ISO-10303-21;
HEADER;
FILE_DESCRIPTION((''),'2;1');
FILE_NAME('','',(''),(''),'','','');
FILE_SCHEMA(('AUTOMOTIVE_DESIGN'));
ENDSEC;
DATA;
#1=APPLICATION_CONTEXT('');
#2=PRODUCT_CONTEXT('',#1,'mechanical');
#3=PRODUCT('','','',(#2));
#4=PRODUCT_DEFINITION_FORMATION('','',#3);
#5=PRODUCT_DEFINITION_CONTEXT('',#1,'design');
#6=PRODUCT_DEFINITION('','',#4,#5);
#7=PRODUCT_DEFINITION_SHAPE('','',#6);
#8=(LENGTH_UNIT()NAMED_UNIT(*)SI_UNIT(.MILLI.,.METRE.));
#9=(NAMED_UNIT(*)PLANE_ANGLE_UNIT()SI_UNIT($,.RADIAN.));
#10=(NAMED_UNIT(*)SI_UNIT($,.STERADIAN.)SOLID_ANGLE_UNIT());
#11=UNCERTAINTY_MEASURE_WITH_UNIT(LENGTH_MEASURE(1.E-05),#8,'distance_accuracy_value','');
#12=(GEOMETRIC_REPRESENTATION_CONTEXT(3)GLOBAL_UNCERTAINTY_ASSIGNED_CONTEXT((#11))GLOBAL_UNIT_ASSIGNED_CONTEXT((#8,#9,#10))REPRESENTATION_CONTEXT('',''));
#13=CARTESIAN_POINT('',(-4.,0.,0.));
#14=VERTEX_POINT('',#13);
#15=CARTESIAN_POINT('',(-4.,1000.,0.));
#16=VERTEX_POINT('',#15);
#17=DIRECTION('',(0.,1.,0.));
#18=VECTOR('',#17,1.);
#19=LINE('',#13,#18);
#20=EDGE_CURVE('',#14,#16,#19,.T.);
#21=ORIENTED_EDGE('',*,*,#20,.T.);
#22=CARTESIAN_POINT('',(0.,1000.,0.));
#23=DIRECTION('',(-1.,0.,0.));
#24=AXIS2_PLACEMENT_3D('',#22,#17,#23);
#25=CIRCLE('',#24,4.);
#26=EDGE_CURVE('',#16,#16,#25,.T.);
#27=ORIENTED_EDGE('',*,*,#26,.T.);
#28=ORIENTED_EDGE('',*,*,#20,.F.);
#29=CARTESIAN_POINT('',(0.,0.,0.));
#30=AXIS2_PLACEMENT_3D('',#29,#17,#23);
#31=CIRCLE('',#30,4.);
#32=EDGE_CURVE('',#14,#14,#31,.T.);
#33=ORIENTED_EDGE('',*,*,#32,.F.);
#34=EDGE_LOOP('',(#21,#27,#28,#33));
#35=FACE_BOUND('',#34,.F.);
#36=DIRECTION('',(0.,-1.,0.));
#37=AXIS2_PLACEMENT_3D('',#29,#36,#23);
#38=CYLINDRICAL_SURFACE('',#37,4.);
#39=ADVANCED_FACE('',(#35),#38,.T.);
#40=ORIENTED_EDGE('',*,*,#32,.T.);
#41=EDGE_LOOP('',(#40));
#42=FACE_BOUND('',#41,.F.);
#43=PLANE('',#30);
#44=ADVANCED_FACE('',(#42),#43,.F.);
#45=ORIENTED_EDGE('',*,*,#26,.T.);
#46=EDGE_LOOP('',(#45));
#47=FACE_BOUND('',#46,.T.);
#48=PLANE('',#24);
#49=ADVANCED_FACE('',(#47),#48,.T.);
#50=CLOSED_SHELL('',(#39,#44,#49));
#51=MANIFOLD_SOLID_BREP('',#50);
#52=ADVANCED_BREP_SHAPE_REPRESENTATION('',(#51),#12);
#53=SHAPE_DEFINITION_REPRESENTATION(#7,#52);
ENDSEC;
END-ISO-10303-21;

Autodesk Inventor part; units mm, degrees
ref_plane "YZ Plane" through (0, 0, 0) normal (1, 0, 0) x (0, 1, 0)
ref_plane "XZ Plane" through (0, 0, 0) normal (0, 1, 0) x (-1, 0, 0)
ref_plane "XY Plane" through (0, 0, 0) normal (0, 0, 1) x (1, 0, 0)
sketch "Sketch1" plane through (0, 0, 0) normal (0, 1, 0) x (-1, 0, 0)
  circle A0 centre (0, 0) radius 4
  dimension "d0" = 8
extrude "Extrusion1" add sketch "Sketch1" along normal blind 1000
properties part number "bar" material "Stainless Steel"
